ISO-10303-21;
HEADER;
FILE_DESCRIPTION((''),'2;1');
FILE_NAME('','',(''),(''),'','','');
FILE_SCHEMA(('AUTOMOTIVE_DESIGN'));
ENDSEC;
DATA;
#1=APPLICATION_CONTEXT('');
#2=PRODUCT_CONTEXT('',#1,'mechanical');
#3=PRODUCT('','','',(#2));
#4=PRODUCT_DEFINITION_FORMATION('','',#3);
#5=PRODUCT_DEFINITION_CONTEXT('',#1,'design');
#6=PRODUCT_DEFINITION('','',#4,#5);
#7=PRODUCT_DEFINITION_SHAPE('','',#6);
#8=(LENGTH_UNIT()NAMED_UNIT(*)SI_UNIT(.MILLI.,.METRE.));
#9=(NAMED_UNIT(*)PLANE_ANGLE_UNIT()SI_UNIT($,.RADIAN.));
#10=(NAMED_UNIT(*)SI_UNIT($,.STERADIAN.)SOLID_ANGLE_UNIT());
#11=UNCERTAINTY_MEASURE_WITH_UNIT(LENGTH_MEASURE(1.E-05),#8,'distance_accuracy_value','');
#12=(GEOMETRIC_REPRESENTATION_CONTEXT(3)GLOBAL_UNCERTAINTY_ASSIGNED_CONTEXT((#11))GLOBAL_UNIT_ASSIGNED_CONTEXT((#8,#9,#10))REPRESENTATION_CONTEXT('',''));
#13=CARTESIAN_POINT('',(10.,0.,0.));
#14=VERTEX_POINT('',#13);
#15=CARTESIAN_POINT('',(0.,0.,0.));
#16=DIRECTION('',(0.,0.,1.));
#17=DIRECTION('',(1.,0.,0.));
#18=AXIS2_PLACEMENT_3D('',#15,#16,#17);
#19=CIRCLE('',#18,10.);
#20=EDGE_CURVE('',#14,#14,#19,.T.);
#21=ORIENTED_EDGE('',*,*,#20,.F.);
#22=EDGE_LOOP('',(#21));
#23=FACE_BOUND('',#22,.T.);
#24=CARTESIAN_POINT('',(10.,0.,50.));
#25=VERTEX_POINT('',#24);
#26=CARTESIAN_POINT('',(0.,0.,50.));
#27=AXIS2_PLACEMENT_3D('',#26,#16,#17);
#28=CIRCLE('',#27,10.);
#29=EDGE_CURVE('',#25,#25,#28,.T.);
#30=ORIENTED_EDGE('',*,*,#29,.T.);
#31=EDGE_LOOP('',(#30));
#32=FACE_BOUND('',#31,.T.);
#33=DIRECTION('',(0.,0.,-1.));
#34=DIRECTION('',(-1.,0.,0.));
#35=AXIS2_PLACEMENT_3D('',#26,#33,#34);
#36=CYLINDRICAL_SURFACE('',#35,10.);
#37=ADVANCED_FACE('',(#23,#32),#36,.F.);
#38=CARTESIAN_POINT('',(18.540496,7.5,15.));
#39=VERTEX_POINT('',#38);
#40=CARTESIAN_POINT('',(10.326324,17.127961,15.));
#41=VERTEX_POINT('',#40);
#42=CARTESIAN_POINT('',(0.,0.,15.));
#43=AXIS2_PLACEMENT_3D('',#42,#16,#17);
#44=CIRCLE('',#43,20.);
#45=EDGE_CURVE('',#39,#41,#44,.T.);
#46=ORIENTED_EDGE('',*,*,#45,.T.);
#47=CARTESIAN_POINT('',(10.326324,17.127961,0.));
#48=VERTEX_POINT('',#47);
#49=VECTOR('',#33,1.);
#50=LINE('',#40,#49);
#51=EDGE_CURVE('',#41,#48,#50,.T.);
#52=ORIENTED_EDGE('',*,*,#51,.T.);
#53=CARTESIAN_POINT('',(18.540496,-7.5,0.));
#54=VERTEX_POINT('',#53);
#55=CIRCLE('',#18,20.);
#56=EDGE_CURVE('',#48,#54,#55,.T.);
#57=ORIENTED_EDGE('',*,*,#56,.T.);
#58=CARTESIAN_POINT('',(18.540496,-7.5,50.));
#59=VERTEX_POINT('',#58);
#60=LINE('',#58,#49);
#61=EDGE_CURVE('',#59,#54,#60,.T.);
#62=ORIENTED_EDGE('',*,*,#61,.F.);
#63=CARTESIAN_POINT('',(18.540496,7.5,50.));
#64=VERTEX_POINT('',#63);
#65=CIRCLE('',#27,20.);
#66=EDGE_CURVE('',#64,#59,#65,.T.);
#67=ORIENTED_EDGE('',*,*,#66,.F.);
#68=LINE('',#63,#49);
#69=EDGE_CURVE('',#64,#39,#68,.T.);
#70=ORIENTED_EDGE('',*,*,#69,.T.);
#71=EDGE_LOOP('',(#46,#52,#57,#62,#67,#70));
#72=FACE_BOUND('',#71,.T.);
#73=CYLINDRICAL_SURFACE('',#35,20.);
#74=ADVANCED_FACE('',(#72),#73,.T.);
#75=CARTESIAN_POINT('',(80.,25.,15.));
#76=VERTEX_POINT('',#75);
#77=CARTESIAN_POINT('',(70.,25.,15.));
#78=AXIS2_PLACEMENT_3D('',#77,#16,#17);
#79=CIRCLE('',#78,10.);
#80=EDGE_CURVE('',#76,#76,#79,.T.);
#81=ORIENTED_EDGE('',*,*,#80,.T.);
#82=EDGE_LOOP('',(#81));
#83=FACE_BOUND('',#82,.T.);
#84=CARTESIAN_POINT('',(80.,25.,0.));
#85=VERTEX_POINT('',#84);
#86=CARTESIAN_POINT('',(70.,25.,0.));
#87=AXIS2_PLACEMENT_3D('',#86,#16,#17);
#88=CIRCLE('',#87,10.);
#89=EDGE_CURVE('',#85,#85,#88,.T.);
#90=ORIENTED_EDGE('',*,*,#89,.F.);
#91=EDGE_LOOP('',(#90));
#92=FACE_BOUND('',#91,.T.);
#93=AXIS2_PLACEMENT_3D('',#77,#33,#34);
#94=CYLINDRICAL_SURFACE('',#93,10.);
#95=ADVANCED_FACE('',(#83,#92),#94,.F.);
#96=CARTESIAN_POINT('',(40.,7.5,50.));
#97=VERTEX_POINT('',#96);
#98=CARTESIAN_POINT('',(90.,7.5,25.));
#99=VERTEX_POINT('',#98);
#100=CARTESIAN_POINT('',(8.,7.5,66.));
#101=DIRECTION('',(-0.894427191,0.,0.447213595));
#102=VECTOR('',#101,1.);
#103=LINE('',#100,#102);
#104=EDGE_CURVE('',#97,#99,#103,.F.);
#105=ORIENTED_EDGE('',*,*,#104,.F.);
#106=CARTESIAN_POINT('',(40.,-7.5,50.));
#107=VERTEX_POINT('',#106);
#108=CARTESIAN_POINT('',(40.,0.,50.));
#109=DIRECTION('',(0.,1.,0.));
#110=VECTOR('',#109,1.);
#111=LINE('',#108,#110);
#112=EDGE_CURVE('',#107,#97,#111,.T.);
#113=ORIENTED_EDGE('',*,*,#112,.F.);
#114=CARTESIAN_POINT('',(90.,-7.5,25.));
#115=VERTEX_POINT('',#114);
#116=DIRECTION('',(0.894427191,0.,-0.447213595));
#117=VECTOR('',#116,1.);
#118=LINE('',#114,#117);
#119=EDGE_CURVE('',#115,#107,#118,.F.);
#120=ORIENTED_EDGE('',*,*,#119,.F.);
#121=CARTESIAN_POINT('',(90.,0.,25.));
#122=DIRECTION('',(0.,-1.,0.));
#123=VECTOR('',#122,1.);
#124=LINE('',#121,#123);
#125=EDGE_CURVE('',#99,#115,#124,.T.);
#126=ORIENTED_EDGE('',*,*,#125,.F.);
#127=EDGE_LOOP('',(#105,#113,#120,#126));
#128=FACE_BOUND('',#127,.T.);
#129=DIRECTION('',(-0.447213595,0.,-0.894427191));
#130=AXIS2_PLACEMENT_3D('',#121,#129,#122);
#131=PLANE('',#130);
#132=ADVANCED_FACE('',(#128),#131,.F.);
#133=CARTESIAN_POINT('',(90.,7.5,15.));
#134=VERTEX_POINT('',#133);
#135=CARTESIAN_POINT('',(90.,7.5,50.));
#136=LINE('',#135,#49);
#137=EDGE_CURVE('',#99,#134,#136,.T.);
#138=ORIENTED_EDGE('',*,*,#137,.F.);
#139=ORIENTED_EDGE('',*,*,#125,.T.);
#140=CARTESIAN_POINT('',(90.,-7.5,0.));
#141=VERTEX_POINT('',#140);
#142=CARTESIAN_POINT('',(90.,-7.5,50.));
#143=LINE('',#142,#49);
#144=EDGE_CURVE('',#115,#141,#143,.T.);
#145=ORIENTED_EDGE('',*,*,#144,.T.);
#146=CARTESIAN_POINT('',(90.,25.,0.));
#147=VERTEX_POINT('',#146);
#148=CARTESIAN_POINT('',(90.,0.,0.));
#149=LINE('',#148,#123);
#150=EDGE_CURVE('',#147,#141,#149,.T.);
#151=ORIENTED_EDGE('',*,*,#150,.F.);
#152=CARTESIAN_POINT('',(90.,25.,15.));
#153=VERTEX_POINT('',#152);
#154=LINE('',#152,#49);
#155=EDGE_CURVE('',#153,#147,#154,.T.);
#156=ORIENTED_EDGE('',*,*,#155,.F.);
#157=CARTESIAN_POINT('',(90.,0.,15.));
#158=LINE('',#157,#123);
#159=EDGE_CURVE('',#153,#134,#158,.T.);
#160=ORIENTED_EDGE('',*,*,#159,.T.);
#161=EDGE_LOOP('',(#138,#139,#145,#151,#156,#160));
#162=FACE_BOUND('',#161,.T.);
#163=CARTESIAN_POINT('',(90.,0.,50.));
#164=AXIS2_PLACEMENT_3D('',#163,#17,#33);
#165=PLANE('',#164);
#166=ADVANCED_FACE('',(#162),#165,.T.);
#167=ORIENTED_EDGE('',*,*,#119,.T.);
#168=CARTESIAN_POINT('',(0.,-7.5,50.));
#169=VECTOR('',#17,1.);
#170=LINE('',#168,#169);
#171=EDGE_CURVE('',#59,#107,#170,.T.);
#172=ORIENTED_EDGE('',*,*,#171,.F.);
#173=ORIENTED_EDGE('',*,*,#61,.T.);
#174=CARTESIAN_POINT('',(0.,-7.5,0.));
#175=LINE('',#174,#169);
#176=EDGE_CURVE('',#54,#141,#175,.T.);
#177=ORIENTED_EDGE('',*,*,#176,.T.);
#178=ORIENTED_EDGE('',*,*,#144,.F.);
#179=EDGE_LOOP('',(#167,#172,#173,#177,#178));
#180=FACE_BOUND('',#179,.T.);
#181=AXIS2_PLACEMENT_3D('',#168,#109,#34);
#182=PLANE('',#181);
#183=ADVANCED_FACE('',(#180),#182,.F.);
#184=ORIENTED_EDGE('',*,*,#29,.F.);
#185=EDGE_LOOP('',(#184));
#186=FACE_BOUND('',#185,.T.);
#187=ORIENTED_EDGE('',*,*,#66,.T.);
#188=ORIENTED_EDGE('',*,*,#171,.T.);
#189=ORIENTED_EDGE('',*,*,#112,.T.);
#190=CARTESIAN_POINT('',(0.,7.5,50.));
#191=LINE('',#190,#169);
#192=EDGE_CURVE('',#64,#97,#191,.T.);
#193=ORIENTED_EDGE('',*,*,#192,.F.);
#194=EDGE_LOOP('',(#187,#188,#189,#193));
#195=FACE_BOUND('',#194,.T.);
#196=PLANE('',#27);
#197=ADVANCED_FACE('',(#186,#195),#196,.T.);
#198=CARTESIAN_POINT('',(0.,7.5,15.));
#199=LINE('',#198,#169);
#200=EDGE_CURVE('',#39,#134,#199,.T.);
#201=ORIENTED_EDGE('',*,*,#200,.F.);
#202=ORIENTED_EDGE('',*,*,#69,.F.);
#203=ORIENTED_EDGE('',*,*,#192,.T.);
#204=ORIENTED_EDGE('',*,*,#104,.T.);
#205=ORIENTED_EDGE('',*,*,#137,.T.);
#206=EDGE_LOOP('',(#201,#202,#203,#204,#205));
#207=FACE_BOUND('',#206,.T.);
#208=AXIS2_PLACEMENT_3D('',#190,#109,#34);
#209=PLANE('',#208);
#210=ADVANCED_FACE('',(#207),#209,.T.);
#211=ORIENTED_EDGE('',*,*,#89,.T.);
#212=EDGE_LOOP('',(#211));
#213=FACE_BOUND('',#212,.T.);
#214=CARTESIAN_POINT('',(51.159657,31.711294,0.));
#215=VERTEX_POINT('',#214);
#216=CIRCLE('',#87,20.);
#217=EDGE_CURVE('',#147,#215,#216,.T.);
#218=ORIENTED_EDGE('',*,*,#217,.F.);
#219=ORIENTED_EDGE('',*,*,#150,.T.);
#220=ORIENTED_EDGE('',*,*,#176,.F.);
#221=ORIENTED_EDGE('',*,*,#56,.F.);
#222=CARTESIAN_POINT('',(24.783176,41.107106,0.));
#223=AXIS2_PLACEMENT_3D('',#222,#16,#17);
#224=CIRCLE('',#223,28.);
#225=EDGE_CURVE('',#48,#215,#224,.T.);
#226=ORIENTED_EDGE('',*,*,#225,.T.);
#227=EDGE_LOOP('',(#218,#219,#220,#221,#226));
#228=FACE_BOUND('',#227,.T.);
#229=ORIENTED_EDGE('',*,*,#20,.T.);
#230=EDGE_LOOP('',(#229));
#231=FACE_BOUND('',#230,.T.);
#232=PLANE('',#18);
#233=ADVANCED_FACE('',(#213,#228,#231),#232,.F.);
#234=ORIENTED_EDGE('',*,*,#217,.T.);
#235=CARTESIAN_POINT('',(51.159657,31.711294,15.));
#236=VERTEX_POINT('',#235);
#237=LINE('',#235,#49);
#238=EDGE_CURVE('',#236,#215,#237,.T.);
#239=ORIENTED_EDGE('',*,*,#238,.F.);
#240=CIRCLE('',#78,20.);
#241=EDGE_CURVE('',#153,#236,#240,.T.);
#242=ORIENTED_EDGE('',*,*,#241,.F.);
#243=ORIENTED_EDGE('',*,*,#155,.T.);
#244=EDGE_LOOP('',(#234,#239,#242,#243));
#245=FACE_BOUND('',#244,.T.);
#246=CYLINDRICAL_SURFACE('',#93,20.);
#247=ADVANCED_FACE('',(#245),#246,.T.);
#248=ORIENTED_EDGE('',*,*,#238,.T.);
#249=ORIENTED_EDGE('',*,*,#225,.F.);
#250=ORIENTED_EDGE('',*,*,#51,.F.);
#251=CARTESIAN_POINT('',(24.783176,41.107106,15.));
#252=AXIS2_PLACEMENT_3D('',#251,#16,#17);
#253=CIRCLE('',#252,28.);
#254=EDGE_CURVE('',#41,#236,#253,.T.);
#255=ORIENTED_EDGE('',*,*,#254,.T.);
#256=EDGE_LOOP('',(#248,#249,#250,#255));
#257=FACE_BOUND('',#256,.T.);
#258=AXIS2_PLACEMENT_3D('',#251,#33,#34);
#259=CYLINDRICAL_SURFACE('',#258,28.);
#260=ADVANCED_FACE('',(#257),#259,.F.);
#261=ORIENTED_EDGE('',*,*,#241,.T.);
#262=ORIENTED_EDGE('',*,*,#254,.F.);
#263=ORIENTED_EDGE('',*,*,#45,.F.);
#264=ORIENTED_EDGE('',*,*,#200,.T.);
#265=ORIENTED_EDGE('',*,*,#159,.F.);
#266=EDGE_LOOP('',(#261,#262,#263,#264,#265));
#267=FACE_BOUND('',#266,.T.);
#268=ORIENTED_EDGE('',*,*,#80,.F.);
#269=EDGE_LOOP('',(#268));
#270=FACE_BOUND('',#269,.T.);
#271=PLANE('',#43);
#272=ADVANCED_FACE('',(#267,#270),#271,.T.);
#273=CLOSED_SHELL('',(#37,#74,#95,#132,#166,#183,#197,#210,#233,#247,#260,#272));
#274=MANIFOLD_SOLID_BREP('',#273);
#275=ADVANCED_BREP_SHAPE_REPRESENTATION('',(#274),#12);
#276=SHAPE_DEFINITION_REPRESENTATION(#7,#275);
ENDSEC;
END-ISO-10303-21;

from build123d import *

# Parameters (mm, degrees)
SKETCH3_R           = 10
BOSS_EXTRUDE2_DEPTH = 50
SKETCH3_4_R         = 10
BOSS_EXTRUDE3_DEPTH = 15
CHAMFER1_SIZE       = 50
CHAMFER1_SIZE2      = 25


with BuildPart() as part:
    # Sketch3 → Boss-Extrude2 (new body)
    with BuildSketch(Plane.XY):
        with BuildLine():
            Line((90, -7.5), (90, 7.5))
            Line((90, 7.5), (18.540496218, 7.5))
            ThreePointArc((18.540496218, 7.5), (15.215049384, 12.980842508), (10.326323506, 17.127960849))
            ThreePointArc((10.326323506, 17.127960849), (-18.972544219, -6.327919552), (18.540496218, -7.5))
            Line((18.540496218, -7.5), (90, -7.5))
        make_face()
        Circle(SKETCH3_R, mode=Mode.SUBTRACT)
    extrude(amount=BOSS_EXTRUDE2_DEPTH)

    # Sketch3<4> → Boss-Extrude3 (add)
    with BuildSketch(Plane.XY):
        with BuildLine():
            Line((90, 7.5), (90, 25))
            ThreePointArc((90, 25), (73.405373459, 44.707953511), (51.15965684, 31.711294182))
            ThreePointArc((51.15965684, 31.711294182), (34.200595531, 14.738332513), (10.326323506, 17.127960849))
            ThreePointArc((10.326323506, 17.127960849), (15.215049384, 12.980842508), (18.540496218, 7.5))
            Line((18.540496218, 7.5), (90, 7.5))
        make_face()
        with Locations((70, 25)):
            Circle(SKETCH3_4_R, mode=Mode.SUBTRACT)
    extrude(amount=BOSS_EXTRUDE3_DEPTH)

    # Chamfer1
    chamfer1_edges = [part.edges().sort_by_distance(p)[0] for p in [
        (90, 0, 50),
    ]]
    chamfer1_side = [part.faces().sort_by_distance(p)[0] for p in [
        (28.950156373, 0, 50),
    ]]
    chamfer(chamfer1_edges, length=CHAMFER1_SIZE, length2=CHAMFER1_SIZE2, reference=chamfer1_side[0])


solid = part.part
